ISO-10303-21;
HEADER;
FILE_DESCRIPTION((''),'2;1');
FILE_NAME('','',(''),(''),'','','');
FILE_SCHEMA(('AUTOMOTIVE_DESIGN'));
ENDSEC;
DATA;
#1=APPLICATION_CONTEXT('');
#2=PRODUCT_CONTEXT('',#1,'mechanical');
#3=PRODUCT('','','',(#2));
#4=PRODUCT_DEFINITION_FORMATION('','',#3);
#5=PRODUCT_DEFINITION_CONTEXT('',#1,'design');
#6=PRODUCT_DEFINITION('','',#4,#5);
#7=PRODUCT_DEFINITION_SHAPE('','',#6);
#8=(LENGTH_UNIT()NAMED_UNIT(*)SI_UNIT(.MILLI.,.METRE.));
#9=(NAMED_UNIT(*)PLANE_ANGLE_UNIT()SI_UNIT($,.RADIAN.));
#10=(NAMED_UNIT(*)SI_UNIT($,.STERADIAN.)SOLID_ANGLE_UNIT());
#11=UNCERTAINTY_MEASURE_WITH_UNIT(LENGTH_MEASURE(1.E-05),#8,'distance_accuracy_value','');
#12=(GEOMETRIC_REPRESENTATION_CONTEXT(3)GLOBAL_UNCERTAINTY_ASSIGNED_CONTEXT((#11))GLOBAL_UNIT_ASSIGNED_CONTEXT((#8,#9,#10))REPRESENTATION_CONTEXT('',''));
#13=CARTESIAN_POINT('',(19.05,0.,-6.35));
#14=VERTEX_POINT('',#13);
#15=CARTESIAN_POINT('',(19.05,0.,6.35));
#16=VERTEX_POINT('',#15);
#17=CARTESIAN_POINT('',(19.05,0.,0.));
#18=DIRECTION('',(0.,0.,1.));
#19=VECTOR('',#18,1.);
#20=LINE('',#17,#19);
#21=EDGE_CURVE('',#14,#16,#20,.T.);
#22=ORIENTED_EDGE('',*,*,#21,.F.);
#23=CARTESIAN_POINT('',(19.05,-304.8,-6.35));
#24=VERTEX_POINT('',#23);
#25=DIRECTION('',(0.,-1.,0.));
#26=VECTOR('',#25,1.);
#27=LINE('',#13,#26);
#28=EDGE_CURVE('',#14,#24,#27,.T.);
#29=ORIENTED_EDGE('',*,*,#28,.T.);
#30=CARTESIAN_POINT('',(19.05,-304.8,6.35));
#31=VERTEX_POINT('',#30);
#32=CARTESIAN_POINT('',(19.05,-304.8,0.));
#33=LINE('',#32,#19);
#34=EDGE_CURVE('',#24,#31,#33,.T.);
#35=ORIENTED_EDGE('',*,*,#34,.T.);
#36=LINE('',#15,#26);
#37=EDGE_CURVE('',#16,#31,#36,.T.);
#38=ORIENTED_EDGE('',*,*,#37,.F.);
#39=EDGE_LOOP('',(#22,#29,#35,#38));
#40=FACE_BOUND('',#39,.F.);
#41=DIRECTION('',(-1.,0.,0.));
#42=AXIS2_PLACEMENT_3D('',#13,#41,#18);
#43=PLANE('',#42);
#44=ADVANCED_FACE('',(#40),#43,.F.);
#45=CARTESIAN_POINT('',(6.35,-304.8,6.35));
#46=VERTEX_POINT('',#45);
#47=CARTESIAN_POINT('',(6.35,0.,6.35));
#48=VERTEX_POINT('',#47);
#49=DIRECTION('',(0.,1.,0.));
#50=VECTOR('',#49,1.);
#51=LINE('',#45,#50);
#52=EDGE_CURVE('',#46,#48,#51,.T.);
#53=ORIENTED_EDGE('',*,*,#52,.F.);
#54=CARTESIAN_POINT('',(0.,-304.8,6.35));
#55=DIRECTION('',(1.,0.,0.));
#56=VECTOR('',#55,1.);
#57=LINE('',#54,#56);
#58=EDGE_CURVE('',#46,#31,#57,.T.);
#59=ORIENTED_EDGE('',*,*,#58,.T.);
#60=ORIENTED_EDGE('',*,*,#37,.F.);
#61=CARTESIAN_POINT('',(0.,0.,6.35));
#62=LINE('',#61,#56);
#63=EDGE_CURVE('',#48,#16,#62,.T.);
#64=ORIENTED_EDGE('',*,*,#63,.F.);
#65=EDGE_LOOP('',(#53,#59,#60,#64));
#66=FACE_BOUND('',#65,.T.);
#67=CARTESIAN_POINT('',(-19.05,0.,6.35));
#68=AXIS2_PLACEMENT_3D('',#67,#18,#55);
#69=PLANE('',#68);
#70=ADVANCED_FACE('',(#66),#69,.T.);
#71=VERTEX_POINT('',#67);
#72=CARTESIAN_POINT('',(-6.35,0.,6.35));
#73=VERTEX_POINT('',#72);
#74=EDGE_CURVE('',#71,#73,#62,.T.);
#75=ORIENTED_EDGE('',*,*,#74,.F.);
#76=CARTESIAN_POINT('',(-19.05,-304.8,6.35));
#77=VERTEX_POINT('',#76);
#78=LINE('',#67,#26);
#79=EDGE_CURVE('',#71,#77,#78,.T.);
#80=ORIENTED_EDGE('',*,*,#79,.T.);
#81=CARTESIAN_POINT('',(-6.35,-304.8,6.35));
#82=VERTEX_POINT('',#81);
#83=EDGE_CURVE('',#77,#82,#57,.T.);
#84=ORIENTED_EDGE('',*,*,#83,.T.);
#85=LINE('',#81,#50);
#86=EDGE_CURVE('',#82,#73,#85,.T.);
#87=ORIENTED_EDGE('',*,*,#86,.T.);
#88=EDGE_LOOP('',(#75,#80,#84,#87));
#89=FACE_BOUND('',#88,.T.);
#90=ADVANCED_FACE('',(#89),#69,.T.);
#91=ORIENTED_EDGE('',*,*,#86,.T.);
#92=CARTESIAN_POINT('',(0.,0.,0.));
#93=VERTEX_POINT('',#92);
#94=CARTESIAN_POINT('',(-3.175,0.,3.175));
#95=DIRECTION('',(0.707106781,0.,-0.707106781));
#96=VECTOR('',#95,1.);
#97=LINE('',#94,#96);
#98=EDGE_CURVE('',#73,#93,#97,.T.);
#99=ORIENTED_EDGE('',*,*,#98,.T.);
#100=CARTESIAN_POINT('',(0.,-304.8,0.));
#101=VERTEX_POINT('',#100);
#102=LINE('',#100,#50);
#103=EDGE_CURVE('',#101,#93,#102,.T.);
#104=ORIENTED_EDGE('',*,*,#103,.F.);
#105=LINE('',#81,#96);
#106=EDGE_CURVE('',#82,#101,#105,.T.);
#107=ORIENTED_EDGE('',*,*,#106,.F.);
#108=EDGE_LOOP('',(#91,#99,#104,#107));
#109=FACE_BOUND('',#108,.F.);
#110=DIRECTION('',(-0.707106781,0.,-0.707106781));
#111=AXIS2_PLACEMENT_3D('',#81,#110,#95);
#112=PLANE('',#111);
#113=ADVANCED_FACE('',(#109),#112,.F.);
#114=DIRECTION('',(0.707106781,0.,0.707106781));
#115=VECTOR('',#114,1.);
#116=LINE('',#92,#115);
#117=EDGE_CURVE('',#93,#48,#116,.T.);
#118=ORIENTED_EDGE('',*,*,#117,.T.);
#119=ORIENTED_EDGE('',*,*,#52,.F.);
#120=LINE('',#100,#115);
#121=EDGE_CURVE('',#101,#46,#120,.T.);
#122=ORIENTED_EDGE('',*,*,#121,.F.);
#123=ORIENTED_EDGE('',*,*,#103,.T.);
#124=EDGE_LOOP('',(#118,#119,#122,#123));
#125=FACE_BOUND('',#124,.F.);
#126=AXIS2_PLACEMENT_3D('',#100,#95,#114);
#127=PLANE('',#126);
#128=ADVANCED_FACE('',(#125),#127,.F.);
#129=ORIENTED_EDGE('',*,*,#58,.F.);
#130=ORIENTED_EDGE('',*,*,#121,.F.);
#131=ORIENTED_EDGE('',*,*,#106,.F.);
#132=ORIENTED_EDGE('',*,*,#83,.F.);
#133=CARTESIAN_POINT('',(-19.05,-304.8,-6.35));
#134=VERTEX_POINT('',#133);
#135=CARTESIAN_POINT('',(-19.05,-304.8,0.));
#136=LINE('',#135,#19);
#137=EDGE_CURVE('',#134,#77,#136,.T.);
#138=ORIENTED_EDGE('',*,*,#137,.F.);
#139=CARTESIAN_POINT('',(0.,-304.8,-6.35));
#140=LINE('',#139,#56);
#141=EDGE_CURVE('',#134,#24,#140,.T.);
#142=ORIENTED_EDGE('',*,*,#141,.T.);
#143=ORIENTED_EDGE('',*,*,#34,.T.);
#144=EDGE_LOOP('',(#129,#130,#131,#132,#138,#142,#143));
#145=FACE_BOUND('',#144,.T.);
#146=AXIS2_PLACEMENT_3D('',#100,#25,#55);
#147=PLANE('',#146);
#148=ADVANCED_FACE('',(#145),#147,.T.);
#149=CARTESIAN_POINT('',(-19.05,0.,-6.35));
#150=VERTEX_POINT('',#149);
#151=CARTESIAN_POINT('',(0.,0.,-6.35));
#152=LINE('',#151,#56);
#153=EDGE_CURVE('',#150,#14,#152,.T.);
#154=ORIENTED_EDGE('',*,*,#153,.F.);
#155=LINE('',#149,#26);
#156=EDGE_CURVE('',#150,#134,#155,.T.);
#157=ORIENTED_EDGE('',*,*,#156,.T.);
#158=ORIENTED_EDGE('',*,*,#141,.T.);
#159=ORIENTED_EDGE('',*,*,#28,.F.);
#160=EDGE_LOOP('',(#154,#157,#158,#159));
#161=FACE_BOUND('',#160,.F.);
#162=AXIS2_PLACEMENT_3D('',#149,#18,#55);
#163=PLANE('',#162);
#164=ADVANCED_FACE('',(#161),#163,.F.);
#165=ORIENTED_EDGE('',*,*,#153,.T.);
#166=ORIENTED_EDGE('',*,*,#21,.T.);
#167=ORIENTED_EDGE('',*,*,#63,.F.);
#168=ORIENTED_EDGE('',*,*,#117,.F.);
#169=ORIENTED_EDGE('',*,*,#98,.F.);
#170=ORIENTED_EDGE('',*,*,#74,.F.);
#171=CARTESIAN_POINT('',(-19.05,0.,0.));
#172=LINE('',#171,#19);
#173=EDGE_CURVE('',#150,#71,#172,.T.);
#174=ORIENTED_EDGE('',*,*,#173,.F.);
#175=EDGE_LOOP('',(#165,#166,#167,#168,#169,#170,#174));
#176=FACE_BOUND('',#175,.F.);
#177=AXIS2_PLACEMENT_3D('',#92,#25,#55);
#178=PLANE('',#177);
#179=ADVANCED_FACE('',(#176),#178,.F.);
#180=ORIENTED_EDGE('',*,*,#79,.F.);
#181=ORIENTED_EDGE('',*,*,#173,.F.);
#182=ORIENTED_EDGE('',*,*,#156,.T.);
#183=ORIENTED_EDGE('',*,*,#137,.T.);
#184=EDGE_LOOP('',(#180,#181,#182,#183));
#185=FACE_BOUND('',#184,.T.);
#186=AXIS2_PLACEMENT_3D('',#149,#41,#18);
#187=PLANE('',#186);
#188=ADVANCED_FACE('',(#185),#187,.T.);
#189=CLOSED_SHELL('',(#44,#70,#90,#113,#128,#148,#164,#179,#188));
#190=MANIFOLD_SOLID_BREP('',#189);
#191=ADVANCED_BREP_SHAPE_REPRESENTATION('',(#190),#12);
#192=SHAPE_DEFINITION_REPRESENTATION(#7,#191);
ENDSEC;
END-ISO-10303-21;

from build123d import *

# Parameters (mm, degrees)
F0_W     = 38.1
F0_H     = 12.7
F1_DEPTH = 304.8
F3_DEPTH = 304.801


with BuildPart() as f1:
    # F0 (on Front) → F1 (new body)
    with BuildSketch(Plane.XZ):
        Rectangle(F0_W, F0_H)
    extrude(amount=F1_DEPTH)

    # F2 (on face) → F3 (cut, through all)
    with BuildSketch(Plane.XZ.offset(304.8)):
        Polygon((-6.35, 6.35), (0, 0), (6.35, 6.35), align=None)
    extrude(amount=-F3_DEPTH, mode=Mode.SUBTRACT)


solid = f1.part
